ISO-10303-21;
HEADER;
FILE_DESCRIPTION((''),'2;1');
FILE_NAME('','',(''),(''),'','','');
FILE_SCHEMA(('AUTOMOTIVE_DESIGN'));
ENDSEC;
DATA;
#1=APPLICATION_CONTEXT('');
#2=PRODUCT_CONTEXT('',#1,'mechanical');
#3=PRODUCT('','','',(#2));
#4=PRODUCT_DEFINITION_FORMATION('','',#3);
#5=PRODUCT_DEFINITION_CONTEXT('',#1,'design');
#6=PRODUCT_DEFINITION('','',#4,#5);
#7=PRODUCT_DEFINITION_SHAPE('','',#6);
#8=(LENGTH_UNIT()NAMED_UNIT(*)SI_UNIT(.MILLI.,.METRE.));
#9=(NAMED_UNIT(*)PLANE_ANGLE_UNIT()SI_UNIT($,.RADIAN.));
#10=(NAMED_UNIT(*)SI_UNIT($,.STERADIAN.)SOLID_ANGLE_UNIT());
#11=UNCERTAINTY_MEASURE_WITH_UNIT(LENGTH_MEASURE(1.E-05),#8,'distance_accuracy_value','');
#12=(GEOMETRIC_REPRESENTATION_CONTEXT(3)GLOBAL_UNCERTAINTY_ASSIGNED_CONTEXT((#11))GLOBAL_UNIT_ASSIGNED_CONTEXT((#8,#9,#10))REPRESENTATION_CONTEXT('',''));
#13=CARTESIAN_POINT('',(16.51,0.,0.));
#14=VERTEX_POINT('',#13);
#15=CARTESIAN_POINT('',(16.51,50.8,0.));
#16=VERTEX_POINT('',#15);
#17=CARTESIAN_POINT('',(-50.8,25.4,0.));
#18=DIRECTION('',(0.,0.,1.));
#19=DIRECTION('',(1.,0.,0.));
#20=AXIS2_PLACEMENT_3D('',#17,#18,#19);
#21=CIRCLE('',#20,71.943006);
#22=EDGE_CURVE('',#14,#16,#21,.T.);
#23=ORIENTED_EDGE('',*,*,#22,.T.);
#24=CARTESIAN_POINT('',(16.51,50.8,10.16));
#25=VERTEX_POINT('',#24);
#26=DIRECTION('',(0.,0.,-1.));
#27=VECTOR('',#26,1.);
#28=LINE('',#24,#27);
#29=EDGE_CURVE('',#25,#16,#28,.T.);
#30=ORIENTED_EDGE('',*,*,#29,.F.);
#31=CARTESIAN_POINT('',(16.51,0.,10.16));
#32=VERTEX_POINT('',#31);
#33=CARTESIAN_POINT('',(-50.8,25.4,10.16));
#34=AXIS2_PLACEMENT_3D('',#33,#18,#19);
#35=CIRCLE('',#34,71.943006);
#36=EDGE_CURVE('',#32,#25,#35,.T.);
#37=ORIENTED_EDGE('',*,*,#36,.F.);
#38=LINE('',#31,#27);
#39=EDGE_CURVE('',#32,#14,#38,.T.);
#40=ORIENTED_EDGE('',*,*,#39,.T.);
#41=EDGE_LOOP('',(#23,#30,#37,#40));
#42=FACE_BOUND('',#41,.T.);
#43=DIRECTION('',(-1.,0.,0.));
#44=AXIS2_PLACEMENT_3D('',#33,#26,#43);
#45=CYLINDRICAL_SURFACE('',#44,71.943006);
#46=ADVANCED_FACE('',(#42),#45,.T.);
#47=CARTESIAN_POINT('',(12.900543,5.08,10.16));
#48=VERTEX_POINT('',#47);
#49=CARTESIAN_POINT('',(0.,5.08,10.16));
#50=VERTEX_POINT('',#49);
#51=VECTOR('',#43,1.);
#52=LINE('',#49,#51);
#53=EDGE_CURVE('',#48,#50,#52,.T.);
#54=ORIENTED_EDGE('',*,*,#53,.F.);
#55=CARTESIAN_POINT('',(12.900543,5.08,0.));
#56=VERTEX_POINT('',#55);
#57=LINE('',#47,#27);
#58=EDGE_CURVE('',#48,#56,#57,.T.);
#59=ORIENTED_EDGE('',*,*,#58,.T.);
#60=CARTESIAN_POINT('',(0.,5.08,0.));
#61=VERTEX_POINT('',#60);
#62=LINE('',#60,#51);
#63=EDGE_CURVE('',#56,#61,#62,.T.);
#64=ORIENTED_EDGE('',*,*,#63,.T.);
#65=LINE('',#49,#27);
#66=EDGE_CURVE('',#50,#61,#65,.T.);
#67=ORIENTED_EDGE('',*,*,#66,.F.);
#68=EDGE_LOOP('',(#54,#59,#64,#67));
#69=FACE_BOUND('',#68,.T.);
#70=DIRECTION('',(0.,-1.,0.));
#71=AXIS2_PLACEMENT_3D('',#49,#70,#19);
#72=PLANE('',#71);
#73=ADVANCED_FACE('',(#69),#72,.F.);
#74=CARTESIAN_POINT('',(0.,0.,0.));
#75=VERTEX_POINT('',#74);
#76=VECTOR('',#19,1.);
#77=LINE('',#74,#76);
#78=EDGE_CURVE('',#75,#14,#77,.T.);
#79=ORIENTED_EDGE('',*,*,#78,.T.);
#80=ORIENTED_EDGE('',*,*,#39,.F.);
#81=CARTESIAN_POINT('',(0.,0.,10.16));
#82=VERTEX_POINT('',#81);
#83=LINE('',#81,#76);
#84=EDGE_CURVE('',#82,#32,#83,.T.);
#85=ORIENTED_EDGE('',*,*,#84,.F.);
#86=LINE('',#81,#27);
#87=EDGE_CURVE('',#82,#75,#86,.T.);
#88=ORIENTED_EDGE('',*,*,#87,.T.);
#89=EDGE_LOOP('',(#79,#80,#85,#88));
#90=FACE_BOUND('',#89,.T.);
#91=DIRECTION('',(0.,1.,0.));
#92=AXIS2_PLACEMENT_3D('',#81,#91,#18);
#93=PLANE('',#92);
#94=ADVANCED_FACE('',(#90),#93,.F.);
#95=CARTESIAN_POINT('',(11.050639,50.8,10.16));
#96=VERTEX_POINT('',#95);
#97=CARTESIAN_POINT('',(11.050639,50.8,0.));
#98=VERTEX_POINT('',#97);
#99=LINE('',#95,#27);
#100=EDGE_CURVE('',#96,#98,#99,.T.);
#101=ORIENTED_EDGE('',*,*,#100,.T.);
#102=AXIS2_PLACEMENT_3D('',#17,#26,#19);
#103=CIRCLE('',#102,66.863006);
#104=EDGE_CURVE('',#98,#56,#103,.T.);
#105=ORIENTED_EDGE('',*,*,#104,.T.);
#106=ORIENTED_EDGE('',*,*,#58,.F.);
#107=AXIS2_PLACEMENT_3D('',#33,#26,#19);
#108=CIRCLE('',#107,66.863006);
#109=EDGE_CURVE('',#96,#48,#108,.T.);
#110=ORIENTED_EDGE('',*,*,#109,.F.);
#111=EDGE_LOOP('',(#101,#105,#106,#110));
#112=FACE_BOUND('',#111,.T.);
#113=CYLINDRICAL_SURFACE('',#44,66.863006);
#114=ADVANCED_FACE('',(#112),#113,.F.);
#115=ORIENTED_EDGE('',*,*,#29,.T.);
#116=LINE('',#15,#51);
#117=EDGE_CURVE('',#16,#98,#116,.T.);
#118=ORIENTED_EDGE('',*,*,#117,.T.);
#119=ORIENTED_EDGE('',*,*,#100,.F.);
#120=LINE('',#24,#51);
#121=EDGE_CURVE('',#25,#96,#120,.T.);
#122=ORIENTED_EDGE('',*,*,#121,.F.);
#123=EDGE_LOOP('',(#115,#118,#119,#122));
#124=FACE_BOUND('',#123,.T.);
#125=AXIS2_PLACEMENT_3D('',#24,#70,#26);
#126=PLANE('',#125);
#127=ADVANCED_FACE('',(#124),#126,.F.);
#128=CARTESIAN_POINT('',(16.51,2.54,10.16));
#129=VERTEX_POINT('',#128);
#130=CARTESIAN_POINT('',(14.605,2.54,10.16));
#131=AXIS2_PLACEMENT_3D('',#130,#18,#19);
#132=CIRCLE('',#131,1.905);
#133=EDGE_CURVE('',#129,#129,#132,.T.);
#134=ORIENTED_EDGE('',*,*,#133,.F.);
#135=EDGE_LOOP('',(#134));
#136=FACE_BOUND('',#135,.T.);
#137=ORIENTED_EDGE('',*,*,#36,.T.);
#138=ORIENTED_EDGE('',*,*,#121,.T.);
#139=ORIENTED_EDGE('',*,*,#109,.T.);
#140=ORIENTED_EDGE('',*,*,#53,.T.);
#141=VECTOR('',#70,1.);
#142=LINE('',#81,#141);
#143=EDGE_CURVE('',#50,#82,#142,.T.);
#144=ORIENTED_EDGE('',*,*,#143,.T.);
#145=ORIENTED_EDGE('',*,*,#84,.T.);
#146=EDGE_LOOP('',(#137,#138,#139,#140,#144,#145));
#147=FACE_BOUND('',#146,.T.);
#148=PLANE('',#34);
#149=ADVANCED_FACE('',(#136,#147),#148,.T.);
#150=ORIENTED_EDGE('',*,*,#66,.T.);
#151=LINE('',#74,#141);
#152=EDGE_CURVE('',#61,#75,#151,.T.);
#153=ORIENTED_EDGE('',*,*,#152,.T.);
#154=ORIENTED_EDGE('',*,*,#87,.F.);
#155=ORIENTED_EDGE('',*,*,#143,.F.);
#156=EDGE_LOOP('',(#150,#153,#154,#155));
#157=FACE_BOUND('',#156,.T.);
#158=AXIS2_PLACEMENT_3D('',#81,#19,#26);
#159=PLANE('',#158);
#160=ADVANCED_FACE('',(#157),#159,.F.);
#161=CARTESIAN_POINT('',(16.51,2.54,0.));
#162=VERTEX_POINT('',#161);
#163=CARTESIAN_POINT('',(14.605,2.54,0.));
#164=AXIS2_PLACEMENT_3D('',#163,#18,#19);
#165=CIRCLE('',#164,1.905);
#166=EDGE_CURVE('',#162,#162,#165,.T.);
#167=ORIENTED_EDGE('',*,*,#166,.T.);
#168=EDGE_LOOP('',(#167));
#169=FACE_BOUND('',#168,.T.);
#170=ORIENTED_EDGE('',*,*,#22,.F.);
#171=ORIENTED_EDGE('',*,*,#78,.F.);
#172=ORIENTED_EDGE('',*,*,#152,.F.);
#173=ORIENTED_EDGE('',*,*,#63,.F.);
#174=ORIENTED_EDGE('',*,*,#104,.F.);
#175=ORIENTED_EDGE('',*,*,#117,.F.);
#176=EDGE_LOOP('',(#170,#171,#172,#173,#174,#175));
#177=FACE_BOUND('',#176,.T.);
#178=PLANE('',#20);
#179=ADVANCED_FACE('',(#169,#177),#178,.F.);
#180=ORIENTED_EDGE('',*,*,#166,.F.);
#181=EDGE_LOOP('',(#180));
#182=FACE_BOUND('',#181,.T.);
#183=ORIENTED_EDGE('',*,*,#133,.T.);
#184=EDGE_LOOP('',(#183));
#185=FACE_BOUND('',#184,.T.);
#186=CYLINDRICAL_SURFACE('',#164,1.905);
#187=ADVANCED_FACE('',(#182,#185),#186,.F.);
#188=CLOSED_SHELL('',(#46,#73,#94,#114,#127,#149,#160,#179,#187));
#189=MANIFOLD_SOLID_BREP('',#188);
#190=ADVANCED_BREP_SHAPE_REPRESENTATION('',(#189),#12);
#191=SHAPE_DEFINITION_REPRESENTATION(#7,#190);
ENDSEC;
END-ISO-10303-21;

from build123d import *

# Parameters (mm, degrees)
BOSS_EXTRUDE1_DEPTH     = 10.16
SKETCH2_R               = 1.905
CUT_EXTRUDE1_DEPTH      = 1
CUT_EXTRUDE1_DEPTH_BACK = 11.16


with BuildPart() as part:
    # Sketch1 → Boss-Extrude1 (new body)
    with BuildSketch(Plane.XY):
        with BuildLine():
            Line((0, 0), (16.51, 0))
            ThreePointArc((16.51, 0), (21.143005914, 25.4), (16.51, 50.8))
            Line((16.51, 50.8), (11.050639123, 50.8))
            ThreePointArc((11.050639123, 50.8), (16.008340976, 28.103171462), (12.900542854, 5.08))
            Line((12.900542854, 5.08), (0, 5.08))
            Line((0, 5.08), (0, 0))
        make_face()
    extrude(amount=BOSS_EXTRUDE1_DEPTH)

    # Sketch2 → Cut-Extrude1 (cut, two sides)
    with BuildSketch(Plane.XY.offset(10.16)) as cut_extrude1_sk:
        with Locations((14.605, 2.54)):
            Circle(SKETCH2_R)
    extrude(amount=CUT_EXTRUDE1_DEPTH, mode=Mode.SUBTRACT)
    extrude(cut_extrude1_sk.sketch, amount=-CUT_EXTRUDE1_DEPTH_BACK, mode=Mode.SUBTRACT)


solid = part.part
